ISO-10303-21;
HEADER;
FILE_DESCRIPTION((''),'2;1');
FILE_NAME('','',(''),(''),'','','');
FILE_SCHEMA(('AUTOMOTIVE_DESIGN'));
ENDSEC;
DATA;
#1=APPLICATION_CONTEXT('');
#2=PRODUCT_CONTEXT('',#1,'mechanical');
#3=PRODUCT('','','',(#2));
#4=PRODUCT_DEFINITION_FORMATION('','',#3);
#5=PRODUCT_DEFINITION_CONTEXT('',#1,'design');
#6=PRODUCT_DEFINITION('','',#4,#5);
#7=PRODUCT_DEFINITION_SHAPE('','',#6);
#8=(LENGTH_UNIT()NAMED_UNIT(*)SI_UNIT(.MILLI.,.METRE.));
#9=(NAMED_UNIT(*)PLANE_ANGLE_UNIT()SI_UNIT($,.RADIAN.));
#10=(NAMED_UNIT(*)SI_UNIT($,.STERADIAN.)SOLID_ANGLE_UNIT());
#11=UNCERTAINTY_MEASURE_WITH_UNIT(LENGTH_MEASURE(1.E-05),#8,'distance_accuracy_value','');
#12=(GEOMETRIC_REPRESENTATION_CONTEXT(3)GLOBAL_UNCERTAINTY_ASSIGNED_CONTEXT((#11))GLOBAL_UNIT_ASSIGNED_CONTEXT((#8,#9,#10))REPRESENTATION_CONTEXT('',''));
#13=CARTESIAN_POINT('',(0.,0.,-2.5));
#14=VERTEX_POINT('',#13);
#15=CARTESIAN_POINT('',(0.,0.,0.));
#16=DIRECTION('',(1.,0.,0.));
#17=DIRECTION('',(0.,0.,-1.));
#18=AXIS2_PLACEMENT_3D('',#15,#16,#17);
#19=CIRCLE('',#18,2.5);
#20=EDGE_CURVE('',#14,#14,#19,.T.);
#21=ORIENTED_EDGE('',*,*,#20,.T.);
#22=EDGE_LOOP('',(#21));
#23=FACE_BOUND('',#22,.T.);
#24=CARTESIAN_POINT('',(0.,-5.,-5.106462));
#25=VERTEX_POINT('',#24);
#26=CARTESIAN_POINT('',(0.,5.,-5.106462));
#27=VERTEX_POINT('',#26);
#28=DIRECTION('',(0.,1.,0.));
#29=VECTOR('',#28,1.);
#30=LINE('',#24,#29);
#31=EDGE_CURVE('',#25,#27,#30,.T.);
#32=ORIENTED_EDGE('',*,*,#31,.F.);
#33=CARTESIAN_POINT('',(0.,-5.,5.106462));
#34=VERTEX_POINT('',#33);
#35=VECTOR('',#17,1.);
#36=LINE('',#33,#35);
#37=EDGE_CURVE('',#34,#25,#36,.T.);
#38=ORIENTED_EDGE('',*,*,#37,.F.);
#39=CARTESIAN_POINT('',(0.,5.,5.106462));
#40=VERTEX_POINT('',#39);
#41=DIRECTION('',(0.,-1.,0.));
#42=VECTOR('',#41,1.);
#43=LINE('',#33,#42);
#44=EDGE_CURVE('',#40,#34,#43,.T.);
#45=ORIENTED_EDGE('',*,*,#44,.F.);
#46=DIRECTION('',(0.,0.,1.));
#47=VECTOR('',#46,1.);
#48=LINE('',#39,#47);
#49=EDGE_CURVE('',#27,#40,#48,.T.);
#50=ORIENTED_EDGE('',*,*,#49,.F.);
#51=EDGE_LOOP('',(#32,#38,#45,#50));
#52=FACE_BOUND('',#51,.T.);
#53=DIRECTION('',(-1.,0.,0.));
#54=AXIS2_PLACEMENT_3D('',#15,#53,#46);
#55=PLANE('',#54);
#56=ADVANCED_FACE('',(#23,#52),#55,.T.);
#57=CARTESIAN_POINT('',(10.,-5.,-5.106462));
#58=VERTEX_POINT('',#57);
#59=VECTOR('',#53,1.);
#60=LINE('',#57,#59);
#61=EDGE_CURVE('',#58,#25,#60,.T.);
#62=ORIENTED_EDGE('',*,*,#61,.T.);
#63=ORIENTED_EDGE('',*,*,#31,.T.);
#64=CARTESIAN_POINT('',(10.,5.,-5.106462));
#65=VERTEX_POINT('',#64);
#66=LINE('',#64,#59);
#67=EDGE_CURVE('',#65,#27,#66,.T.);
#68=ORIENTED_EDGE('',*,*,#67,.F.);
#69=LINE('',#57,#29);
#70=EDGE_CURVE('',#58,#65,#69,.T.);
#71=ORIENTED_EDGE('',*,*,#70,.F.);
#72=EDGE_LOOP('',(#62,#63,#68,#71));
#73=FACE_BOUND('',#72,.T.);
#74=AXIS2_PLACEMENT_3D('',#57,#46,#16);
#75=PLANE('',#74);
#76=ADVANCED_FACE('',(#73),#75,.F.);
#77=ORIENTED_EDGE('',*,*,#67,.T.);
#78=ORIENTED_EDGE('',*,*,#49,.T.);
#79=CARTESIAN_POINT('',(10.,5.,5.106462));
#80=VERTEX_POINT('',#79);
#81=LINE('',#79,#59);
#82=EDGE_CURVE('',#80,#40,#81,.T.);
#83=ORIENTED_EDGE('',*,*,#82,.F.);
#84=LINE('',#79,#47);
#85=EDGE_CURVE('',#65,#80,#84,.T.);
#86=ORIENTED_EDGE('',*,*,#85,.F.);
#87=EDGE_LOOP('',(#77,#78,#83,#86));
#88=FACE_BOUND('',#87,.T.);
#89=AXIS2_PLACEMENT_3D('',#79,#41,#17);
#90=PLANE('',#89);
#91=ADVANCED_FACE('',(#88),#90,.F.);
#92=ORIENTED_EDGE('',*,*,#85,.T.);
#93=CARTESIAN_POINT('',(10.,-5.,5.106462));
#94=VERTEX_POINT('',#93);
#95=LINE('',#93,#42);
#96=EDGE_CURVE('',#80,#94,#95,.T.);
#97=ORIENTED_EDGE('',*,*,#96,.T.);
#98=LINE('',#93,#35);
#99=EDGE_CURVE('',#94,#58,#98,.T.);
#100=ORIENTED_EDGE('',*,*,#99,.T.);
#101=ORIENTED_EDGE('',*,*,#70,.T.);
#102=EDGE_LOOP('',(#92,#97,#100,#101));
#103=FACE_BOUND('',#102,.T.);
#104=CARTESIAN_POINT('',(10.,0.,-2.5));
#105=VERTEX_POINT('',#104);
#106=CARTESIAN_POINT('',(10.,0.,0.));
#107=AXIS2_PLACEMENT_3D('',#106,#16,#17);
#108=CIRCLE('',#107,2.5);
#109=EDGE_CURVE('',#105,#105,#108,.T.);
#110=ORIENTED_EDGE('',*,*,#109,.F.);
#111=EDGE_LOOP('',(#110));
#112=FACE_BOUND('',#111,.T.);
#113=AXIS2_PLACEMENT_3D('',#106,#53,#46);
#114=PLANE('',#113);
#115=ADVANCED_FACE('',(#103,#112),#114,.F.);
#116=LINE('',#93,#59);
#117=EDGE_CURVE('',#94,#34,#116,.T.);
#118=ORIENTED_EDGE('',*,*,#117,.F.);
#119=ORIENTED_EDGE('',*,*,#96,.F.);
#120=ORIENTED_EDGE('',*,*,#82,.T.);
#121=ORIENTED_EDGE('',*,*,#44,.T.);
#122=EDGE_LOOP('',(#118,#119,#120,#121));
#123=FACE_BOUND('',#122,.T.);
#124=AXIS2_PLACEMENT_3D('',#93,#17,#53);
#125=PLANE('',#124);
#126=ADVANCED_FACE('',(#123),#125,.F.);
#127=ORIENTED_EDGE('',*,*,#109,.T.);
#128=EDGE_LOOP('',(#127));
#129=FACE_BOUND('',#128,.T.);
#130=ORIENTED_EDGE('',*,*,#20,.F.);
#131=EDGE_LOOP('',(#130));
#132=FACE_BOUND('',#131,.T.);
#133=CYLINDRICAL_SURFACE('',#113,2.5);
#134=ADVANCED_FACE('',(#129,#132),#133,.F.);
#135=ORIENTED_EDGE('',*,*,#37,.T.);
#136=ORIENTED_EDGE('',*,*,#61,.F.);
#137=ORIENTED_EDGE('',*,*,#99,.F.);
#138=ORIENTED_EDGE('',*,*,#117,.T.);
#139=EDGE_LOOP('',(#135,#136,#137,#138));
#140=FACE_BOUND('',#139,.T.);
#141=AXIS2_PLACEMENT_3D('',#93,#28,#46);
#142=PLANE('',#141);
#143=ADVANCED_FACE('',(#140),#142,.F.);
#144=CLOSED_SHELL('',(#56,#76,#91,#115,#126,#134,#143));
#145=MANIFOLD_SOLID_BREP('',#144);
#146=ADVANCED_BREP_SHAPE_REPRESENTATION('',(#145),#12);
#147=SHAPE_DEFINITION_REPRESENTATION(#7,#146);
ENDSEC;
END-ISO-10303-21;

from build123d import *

# Parameters (mm, degrees)
SKETCH_1_W      = 10.212924232
SKETCH_1_H      = 10
SKETCH_1_R      = 2.5
EXTRUDE_1_DEPTH = 10


with BuildPart() as part:
    # 草图1 → 凸台-拉伸1 (new body)
    with BuildSketch(Plane(origin=(0, 0, 0), x_dir=(0, 0, -1), z_dir=(1, 0, 0))):
        Rectangle(SKETCH_1_W, SKETCH_1_H)
        Circle(SKETCH_1_R, mode=Mode.SUBTRACT)
    extrude(amount=EXTRUDE_1_DEPTH)


solid = part.part
